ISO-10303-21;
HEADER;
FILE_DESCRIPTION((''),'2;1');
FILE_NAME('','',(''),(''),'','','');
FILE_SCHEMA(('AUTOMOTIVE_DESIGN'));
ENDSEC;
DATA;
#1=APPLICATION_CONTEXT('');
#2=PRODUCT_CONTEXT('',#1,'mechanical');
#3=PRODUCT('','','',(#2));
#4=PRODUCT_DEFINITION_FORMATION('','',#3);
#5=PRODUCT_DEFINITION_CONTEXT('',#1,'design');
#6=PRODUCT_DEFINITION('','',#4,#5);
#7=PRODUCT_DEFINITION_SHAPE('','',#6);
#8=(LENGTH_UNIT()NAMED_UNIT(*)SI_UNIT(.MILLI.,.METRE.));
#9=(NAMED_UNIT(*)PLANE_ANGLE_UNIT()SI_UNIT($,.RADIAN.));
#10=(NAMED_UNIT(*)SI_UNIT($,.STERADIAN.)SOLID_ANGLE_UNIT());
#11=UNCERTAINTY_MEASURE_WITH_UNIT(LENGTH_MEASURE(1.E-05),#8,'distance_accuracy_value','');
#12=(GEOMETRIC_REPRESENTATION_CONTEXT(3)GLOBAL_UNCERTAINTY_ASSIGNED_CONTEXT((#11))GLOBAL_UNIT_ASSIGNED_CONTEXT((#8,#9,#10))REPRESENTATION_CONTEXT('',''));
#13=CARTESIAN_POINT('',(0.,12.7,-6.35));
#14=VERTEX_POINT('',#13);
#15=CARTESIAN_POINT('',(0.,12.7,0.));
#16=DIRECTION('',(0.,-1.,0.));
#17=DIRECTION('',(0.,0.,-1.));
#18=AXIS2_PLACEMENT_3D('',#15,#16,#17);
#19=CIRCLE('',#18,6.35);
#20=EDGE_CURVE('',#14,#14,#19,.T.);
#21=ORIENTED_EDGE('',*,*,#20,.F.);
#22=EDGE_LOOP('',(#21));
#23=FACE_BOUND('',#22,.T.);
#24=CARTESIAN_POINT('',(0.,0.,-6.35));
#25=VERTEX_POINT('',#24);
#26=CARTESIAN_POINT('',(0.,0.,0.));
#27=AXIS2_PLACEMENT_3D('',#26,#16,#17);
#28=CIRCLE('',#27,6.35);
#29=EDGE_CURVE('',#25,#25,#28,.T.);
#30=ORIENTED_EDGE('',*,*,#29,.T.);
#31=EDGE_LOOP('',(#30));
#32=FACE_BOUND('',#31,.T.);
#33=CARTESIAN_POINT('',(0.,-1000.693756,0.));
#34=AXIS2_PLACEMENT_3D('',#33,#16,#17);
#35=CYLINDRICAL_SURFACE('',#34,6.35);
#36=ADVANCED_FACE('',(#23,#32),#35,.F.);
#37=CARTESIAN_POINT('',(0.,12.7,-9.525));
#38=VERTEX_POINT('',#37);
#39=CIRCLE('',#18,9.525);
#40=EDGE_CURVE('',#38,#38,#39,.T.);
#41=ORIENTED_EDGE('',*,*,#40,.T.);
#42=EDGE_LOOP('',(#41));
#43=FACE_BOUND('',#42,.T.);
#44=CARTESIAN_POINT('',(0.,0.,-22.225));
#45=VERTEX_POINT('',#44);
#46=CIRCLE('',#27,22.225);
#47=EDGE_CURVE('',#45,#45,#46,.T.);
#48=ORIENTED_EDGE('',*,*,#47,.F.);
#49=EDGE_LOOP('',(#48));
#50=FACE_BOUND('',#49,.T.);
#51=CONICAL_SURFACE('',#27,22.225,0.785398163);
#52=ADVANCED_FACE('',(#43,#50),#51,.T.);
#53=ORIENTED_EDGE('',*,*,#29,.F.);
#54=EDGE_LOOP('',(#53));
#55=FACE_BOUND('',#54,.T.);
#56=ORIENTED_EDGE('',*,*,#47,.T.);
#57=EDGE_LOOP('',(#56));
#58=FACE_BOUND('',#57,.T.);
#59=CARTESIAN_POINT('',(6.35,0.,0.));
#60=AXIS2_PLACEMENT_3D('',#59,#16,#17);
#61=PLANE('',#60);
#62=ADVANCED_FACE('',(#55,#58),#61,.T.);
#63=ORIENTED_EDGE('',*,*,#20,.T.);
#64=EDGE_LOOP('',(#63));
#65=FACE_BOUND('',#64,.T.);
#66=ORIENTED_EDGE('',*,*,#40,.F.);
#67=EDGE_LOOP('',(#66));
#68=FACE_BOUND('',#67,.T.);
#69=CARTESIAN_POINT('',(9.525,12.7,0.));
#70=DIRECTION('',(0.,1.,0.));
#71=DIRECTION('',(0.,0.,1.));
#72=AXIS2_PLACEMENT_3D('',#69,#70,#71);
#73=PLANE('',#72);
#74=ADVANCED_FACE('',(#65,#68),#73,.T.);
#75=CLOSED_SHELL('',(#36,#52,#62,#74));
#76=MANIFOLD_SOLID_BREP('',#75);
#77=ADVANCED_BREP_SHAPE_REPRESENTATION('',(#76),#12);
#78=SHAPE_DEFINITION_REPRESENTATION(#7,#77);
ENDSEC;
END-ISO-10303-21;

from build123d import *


with BuildPart() as part:
    # Sketch1 → Revolve1 (revolve)
    with BuildSketch(Plane.XY):
        Polygon((6.35, 0), (22.225, 0), (9.525, 12.7), (6.35, 12.7), align=None)
    revolve(axis=Axis((0, -1000.69375591, 0), (0, 1, 0)))


solid = part.part
